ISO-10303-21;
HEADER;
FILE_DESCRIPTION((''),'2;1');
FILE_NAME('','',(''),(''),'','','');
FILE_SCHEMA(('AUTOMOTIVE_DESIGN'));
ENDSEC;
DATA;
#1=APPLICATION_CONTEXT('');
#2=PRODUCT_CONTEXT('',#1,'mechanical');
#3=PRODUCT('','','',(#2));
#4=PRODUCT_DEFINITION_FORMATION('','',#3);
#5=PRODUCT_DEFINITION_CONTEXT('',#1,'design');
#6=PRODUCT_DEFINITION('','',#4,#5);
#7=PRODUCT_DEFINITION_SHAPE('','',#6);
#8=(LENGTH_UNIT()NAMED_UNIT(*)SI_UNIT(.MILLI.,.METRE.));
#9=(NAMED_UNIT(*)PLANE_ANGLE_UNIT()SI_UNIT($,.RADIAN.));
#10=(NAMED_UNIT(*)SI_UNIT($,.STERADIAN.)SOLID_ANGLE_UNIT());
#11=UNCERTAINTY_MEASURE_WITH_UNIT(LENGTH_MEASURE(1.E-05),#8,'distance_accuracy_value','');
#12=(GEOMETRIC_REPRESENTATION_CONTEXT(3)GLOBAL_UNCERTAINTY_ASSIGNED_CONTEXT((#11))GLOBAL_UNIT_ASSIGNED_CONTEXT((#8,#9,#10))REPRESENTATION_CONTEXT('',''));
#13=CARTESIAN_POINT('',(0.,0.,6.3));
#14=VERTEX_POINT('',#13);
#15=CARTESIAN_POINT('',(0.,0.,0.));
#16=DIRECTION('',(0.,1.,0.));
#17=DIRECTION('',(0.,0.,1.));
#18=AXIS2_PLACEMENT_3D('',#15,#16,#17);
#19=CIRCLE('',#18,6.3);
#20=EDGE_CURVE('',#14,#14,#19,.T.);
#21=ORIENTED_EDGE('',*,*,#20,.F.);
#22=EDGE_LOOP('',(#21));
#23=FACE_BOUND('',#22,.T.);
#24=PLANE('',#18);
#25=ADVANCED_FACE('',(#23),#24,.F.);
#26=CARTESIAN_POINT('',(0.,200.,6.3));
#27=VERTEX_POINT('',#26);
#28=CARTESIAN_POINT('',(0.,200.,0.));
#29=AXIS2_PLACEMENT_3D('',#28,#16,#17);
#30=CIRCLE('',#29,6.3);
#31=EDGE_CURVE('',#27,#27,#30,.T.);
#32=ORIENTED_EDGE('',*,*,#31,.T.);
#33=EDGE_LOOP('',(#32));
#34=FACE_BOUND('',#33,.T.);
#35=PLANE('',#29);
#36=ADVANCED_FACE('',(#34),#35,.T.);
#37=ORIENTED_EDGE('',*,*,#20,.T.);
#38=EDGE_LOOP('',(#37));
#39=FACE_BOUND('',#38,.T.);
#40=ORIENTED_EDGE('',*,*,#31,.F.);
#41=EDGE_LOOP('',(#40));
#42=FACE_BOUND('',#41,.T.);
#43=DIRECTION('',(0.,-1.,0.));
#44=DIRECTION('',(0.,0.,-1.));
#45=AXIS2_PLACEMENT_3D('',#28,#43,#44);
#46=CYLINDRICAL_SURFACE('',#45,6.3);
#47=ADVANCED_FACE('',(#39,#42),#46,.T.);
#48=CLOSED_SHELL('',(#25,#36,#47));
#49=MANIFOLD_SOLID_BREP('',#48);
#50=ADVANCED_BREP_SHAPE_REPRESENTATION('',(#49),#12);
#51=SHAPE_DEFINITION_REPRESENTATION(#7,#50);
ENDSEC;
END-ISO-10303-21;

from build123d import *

# Parameters (mm, degrees)
SKETCH1_R           = 6.3
BOSS_EXTRUDE1_DEPTH = 200


with BuildPart() as part:
    # Sketch1 → Boss-Extrude1 (new body)
    with BuildSketch(Plane(origin=(0, 0, 0), x_dir=(1, 0, 0), z_dir=(0, 1, 0))):
        Circle(SKETCH1_R)
    extrude(amount=BOSS_EXTRUDE1_DEPTH)


solid = part.part
